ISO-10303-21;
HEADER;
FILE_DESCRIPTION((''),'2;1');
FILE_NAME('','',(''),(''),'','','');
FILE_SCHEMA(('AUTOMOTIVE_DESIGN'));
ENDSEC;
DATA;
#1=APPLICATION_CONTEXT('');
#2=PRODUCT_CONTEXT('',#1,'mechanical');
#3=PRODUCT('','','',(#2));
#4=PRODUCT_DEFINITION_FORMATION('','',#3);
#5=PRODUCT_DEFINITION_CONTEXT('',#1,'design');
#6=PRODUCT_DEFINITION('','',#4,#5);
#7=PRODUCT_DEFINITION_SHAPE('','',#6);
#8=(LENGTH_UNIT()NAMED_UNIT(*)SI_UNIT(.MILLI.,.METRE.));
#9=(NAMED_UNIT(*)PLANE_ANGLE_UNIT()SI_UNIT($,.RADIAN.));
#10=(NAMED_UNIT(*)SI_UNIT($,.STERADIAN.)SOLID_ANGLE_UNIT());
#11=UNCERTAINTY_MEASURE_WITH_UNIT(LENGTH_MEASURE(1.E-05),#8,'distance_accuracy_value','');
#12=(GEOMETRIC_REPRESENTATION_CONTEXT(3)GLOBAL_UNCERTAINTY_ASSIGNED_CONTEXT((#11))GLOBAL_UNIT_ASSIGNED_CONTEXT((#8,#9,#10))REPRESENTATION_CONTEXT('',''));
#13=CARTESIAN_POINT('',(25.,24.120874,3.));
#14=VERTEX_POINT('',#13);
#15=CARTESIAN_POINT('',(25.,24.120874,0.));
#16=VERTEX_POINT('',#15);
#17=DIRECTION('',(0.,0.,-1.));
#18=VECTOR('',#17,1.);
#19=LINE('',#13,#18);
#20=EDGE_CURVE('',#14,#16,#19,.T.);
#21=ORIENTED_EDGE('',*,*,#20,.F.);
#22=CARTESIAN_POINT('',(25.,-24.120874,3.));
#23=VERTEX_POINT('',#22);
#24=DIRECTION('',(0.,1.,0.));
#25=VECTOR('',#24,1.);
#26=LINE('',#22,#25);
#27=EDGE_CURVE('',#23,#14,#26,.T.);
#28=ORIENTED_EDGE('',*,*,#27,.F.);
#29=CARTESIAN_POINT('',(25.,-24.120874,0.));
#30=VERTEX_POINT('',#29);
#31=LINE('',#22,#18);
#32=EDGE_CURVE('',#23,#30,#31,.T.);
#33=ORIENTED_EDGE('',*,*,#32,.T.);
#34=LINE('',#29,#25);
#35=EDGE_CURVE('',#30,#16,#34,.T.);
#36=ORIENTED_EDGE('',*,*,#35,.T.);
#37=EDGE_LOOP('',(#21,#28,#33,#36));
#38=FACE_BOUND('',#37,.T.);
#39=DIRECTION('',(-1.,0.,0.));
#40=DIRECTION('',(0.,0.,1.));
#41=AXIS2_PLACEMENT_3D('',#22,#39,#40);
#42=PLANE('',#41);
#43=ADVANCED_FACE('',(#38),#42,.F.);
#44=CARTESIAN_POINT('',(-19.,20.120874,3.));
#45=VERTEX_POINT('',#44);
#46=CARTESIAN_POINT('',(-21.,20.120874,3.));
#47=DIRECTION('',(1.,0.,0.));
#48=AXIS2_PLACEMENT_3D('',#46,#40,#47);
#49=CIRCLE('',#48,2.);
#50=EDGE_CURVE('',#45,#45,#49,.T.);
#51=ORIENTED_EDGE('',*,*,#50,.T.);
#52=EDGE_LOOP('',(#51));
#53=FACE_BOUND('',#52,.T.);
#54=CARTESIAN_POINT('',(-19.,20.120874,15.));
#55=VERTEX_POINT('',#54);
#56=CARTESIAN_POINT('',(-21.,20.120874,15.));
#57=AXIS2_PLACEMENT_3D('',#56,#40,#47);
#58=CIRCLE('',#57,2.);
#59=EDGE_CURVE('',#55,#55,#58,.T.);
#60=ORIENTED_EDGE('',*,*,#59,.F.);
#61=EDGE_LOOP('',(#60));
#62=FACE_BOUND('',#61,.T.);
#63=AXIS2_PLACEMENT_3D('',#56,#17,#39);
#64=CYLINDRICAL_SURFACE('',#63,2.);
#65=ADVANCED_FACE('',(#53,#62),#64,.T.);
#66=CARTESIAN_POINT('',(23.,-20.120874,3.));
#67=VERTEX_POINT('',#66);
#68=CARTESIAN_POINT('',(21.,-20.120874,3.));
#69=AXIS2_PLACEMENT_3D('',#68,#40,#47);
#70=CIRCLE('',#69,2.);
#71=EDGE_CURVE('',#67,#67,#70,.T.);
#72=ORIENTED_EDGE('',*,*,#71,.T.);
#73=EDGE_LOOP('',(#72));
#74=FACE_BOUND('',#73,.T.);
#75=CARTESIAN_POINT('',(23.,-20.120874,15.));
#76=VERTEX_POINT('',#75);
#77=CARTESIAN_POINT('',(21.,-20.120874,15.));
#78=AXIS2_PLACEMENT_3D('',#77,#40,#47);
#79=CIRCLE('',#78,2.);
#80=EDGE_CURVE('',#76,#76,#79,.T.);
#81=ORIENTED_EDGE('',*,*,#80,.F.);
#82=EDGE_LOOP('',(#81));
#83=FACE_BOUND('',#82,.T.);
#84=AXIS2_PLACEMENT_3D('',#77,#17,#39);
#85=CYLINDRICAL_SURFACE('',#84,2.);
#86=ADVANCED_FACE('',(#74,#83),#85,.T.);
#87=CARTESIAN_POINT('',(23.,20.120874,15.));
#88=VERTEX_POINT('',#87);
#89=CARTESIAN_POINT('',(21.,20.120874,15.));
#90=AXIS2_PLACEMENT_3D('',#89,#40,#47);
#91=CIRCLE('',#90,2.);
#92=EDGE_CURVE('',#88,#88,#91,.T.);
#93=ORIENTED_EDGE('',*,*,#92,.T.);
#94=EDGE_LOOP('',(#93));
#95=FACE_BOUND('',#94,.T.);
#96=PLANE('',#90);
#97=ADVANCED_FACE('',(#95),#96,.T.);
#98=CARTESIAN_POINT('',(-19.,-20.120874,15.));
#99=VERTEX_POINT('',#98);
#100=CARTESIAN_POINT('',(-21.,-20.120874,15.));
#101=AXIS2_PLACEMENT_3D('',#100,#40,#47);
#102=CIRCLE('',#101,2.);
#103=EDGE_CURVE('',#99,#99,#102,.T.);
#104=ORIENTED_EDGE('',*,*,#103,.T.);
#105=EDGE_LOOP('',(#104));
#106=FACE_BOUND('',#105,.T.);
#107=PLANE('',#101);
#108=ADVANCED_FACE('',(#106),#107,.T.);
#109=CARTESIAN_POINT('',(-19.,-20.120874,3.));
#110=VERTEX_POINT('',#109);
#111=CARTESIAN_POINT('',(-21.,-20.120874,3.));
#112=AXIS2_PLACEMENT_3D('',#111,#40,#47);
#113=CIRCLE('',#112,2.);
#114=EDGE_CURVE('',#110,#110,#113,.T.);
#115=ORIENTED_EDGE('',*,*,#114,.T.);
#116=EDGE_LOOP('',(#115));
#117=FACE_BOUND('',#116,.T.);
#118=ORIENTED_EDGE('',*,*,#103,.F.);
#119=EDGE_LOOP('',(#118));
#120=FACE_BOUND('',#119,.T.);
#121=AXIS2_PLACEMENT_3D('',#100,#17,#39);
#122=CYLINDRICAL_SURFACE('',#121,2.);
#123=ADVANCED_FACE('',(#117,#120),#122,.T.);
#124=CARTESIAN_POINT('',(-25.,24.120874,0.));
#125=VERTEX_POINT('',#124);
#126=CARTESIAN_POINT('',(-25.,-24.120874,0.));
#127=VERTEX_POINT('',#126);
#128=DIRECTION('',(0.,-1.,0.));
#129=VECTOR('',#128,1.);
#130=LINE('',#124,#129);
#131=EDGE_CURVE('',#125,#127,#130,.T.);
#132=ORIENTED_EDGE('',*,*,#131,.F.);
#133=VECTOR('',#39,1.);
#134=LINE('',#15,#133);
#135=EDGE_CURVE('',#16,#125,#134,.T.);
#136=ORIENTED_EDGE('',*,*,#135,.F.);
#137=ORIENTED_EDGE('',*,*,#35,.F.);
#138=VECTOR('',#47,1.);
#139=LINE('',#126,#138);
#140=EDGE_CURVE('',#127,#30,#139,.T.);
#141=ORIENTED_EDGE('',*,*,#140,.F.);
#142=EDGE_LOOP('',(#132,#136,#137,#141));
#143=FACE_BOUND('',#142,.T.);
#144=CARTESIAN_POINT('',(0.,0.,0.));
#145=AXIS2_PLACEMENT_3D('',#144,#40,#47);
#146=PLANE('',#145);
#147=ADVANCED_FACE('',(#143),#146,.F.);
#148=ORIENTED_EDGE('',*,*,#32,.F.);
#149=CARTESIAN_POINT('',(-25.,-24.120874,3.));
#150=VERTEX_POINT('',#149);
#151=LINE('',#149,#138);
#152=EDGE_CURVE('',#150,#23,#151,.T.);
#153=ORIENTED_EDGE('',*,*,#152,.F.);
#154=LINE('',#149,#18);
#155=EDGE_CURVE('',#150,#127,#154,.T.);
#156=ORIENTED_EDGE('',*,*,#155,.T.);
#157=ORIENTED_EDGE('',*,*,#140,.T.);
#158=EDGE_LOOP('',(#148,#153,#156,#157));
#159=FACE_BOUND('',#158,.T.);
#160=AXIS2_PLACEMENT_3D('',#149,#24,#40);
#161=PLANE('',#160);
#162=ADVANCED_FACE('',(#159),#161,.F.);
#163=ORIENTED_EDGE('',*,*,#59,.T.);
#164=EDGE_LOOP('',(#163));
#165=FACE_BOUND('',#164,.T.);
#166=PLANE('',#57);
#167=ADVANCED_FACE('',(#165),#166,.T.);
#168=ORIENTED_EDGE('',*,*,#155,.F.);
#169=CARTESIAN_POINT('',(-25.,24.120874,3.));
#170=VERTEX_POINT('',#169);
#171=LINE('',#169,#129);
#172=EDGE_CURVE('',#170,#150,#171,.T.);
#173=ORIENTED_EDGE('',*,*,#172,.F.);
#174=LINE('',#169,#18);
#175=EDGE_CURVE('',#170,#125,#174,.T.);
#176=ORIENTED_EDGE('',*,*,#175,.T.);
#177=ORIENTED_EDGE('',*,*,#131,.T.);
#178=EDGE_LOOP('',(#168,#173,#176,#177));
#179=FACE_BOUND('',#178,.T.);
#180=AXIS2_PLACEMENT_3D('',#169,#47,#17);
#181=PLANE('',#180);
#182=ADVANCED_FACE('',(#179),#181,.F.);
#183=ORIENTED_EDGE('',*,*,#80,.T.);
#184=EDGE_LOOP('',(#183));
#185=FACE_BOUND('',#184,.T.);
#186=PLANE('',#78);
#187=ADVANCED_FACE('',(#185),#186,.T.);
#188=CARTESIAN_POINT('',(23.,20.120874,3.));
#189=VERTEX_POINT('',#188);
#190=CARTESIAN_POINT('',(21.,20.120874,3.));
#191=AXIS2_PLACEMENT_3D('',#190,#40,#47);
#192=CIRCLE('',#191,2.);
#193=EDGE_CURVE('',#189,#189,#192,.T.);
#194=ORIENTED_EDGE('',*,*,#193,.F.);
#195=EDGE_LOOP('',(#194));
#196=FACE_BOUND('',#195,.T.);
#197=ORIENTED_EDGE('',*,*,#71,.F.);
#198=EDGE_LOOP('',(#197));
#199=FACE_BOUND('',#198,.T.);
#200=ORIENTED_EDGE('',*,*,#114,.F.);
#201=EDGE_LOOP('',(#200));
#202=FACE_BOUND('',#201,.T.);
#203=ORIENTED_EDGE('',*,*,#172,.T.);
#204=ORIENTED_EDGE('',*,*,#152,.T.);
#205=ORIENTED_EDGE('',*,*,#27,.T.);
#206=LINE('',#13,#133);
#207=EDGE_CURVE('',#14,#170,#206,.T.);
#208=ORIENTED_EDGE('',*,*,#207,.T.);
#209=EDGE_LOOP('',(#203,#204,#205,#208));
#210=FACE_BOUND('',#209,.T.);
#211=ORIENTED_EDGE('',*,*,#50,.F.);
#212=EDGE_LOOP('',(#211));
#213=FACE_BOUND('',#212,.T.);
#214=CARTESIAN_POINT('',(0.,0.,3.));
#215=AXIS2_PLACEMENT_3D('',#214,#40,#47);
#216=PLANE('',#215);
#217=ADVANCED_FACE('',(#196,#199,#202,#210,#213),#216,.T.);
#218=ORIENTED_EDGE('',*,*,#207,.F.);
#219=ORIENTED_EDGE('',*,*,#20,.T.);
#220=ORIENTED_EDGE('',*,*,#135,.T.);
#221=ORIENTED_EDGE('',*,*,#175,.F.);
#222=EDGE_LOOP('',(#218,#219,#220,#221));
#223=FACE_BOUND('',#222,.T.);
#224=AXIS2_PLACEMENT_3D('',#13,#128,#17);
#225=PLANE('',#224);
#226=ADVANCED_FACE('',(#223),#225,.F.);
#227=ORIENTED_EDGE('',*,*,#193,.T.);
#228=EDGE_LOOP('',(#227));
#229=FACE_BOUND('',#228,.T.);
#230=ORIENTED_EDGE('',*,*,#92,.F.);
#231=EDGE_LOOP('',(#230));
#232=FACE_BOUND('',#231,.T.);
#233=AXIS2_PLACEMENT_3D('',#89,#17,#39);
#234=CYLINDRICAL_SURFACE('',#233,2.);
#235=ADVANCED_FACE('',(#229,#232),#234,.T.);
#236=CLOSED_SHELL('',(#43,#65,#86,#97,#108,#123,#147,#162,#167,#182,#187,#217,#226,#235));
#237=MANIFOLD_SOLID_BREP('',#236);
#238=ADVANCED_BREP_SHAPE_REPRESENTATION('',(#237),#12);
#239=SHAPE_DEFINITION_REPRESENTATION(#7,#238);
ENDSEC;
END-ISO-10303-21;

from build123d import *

# Parameters (mm, degrees)
SKETCH_1_W         = 50
SKETCH_1_H         = 48.241748444
FORMER_BASE_DEPTH  = 3
FORMER_POSTS_START = 3
SKETCH_2_R         = 2
FORMER_POSTS_DEPTH = 12


with BuildPart() as part:
    # Эскиз1 → Former_base (new body)
    with BuildSketch(Plane.XY):
        Rectangle(SKETCH_1_W, SKETCH_1_H)
    extrude(amount=FORMER_BASE_DEPTH)

    # Эскиз2 → Former_posts (add)
    with BuildSketch(Plane.XY.offset(FORMER_POSTS_START)):
        with Locations((-21, -20.120874222)):
            Circle(SKETCH_2_R)
        with Locations((-21, 20.120874222)):
            Circle(SKETCH_2_R)
        with Locations((21, -20.120874222)):
            Circle(SKETCH_2_R)
        with Locations((21, 20.120874222)):
            Circle(SKETCH_2_R)
    extrude(amount=FORMER_POSTS_DEPTH)


solid = part.part
